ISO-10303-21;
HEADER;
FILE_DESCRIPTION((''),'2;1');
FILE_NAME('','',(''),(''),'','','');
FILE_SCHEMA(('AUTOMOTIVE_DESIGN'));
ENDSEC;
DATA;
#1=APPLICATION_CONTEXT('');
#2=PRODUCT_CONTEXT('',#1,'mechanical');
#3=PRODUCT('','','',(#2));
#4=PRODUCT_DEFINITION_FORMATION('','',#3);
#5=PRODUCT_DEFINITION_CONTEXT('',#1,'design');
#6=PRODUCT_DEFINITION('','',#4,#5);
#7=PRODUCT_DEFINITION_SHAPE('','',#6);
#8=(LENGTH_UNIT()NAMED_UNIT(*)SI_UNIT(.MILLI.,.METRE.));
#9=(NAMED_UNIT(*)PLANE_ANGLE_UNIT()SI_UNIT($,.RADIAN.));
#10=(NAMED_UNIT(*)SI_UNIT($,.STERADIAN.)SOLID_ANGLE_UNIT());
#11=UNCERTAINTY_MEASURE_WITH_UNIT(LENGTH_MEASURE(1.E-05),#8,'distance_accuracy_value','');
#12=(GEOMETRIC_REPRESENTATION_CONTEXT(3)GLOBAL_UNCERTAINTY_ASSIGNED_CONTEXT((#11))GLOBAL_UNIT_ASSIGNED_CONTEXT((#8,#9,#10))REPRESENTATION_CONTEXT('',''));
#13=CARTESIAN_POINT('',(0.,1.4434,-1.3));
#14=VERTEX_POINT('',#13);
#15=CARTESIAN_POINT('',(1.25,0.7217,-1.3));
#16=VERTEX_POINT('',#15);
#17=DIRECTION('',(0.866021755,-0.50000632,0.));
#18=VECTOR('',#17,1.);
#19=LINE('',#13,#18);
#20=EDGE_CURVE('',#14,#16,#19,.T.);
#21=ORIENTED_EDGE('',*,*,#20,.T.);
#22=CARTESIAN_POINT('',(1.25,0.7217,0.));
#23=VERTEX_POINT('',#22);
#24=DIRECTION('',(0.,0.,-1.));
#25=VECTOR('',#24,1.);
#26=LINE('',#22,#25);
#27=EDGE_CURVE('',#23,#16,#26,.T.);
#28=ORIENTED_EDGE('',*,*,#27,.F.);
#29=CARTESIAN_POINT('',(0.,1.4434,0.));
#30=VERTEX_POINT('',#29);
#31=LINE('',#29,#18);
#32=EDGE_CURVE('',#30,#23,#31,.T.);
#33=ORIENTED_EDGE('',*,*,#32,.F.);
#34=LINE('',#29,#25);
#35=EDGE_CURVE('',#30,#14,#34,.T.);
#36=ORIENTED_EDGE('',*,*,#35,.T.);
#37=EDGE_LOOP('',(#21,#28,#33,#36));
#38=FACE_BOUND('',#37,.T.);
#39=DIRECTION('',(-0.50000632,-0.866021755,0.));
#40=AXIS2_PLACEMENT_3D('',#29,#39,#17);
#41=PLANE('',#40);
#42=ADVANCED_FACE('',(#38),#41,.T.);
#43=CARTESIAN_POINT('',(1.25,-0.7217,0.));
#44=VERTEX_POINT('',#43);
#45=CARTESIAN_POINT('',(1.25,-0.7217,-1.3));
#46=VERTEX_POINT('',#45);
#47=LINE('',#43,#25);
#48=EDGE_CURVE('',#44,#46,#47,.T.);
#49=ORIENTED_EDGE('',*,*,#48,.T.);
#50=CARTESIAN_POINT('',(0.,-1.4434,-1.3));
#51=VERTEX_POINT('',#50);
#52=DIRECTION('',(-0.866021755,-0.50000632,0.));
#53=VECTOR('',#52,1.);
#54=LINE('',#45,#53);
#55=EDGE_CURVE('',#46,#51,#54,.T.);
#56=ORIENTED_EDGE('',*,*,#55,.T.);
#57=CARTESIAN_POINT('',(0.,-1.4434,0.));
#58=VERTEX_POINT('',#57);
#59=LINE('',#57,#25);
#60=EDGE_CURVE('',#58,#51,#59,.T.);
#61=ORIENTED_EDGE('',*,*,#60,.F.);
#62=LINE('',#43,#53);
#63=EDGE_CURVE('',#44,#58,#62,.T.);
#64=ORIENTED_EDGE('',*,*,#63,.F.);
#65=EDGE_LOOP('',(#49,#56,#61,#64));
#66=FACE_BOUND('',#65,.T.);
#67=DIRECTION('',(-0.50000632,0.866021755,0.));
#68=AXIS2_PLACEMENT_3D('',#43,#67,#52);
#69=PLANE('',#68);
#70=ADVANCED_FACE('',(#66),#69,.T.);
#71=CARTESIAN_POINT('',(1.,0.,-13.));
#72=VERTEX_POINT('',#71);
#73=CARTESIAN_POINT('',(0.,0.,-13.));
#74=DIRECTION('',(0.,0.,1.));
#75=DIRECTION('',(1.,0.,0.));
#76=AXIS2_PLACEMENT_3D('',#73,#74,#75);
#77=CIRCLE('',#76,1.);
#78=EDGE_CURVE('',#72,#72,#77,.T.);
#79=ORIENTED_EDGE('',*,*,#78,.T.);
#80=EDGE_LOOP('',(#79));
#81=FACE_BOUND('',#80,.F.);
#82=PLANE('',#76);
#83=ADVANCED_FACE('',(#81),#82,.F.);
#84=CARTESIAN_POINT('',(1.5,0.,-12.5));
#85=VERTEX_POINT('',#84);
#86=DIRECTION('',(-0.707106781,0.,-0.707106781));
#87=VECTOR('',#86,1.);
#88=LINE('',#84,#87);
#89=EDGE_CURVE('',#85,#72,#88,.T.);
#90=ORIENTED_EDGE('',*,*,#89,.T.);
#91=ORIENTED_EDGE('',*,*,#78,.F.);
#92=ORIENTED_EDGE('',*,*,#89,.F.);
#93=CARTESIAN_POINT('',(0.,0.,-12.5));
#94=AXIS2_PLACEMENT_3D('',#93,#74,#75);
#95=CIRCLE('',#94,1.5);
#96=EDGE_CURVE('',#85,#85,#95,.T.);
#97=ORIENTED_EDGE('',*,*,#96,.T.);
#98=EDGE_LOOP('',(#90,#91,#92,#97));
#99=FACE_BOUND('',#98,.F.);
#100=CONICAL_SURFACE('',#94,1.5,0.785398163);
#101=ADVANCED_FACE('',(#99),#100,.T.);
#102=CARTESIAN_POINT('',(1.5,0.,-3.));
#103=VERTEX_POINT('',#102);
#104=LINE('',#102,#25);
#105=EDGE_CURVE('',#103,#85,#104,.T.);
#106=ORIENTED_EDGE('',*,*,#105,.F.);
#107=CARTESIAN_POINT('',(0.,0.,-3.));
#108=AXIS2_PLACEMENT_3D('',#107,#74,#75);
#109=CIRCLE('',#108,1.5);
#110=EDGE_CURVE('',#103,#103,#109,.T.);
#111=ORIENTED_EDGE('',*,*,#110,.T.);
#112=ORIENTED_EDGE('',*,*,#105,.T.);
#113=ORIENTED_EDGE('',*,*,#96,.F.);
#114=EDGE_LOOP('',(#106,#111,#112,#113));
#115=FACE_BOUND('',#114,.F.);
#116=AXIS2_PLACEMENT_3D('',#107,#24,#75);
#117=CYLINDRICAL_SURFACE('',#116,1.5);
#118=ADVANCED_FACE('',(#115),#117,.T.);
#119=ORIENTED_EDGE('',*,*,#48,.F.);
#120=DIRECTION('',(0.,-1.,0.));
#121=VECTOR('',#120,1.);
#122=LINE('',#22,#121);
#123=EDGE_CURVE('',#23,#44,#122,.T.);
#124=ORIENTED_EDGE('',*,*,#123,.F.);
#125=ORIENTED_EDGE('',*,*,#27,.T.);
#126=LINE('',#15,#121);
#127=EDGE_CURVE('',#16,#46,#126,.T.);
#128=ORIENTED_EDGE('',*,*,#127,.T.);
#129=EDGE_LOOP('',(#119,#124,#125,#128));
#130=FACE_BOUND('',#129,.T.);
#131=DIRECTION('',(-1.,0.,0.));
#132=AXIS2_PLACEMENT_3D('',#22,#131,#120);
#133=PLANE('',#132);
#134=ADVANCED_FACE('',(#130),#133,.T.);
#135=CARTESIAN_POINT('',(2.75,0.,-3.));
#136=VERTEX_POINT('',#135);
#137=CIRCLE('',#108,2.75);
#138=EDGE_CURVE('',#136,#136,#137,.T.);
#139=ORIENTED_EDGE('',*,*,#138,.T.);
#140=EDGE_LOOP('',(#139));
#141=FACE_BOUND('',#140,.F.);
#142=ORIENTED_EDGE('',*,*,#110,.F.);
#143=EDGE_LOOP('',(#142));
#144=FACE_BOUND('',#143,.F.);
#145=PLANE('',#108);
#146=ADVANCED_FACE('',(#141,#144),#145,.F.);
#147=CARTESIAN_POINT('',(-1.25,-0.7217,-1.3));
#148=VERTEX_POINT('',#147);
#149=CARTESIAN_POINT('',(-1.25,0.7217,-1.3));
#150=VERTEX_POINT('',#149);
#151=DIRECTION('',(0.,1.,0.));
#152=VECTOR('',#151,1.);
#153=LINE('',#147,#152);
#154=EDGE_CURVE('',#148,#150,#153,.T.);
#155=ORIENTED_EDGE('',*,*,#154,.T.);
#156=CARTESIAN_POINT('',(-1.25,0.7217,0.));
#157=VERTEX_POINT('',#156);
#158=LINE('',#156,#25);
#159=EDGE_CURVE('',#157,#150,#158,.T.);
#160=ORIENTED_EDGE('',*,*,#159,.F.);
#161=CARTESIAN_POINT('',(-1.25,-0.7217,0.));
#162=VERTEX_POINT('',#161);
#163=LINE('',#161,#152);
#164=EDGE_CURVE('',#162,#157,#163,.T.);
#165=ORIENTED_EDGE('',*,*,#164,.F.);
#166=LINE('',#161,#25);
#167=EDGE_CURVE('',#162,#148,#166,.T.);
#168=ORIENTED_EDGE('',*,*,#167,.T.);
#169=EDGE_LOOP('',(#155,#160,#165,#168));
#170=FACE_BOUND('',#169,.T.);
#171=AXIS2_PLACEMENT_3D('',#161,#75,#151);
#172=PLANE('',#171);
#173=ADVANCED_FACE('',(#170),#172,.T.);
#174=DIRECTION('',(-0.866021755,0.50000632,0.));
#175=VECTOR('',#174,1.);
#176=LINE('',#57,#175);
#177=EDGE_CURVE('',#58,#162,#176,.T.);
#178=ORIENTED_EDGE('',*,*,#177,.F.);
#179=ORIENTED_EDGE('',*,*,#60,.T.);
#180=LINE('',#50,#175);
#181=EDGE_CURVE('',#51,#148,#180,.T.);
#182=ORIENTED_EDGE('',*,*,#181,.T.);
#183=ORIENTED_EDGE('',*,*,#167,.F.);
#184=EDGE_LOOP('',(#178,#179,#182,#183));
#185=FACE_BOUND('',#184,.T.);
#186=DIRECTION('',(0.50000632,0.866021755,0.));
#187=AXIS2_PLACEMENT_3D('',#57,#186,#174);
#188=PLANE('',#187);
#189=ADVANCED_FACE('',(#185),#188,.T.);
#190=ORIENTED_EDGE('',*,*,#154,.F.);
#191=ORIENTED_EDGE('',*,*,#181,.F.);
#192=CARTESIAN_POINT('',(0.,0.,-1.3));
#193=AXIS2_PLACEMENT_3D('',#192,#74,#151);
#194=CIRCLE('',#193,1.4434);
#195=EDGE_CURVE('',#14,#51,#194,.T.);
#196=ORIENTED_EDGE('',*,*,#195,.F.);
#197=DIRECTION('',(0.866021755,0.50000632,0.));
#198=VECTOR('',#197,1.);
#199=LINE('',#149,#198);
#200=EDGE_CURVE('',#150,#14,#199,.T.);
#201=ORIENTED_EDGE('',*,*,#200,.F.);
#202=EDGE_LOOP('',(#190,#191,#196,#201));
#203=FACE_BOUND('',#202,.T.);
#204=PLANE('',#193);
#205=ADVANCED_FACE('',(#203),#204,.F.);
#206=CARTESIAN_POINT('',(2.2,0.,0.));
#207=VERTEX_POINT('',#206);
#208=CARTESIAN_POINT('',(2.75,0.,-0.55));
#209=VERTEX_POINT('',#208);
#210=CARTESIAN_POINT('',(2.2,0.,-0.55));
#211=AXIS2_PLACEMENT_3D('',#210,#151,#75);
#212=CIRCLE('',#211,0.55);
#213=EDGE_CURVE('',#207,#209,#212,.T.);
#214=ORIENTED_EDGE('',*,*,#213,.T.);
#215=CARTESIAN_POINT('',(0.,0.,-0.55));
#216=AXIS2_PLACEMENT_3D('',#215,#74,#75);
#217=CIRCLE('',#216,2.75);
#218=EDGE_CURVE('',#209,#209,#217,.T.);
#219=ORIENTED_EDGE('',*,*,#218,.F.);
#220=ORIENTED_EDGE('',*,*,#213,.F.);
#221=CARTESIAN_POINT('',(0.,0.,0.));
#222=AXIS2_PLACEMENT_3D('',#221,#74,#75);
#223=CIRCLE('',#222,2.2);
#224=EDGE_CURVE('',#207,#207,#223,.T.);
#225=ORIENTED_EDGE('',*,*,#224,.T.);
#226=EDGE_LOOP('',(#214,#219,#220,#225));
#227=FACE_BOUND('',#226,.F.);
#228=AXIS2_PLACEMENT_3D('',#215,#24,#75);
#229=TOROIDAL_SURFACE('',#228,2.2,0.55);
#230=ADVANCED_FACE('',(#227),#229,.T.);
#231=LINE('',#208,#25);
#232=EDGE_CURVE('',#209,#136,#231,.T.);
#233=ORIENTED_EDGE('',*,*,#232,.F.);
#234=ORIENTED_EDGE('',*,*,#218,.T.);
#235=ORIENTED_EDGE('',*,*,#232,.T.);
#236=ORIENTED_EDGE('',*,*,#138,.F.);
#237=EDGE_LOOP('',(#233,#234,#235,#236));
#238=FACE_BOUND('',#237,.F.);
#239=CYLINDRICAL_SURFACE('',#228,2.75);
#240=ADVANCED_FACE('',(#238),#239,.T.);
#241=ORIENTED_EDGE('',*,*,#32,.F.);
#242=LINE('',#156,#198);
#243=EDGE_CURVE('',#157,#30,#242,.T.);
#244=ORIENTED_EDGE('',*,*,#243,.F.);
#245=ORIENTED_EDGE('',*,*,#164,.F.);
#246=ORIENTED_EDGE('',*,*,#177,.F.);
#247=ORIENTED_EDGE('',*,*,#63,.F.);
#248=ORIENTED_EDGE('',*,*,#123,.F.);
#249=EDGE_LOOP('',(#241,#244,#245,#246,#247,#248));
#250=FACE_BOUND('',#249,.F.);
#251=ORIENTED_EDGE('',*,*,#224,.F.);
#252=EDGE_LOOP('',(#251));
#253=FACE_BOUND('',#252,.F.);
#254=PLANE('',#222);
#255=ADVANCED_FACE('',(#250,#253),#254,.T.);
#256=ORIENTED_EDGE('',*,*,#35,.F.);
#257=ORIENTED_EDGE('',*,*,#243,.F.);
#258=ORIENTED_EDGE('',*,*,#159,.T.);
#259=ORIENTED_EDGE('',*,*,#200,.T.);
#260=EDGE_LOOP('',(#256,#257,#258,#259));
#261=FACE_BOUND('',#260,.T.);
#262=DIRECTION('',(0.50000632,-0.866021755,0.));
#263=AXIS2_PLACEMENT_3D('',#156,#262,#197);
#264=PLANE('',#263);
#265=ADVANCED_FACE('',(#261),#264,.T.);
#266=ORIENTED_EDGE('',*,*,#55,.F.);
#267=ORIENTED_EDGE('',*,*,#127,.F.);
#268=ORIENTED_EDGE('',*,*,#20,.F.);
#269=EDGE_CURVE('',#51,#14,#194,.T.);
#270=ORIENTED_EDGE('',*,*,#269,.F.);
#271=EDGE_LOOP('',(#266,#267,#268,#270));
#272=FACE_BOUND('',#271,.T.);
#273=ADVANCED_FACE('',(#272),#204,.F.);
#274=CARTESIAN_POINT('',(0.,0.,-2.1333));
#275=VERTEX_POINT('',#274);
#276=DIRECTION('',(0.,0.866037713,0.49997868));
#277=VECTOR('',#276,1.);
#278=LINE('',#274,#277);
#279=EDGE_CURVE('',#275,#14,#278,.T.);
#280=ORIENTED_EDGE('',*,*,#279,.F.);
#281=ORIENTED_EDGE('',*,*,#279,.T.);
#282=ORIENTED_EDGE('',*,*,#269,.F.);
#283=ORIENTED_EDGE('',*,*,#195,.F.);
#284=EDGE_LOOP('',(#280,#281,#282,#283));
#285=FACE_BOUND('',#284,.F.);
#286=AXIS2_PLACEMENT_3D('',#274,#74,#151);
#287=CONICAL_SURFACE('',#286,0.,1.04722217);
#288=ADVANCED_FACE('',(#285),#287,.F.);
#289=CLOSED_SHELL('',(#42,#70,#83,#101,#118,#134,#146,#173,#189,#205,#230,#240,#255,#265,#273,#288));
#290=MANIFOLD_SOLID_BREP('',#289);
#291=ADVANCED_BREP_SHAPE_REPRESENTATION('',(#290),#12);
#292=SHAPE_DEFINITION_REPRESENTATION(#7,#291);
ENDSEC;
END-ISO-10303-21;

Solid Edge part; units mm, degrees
sketch "Sketch1" plane through (0, 0, 0) normal (0, -1, 0) x (1, 0, 0)
  line L0 (0, 0) -> (2.2, 0)
  arc A0 (2.2, 0) -> (2.75, -0.55) centre (2.2, -0.55) cw
  line L1 (2.75, -0.55) -> (2.75, -3)
  line L2 (2.75, -3) -> (1.5, -3)
  line L3 (1.5, -3) -> (1.5, -12.5)
  line L4 (1.5, -12.5) -> (1, -13)
  line L5 (1, -13) -> (0, -13)
revolve "RevolvedProtrusion1" add sketch "Sketch1" angle 360 about axis through (0, 0, -13) along (0, 0, 1)
sketch "Sketch2" plane through (0, 0, 0) normal (0, 0, 1) x (1, 0, 0)
  line L0 (-1.25, -0.7217) -> (-1.25, 0.7217)
  line L1 (-1.25, 0.7217) -> (0, 1.4434)
  line L2 (0, 1.4434) -> (1.25, 0.7217)
  line L3 (1.25, 0.7217) -> (1.25, -0.7217)
  line L4 (1.25, -0.7217) -> (0, -1.4434)
  line L5 (0, -1.4434) -> (-1.25, -0.7217)
extrude "Cutout1" cut sketch "Sketch2" against normal blind 1.3
sketch "Sketch3" plane through (0, 0, 0) normal (1, 0, 0) x (0, 1, 0)
  line L0 (0, -2.1333) -> (1.4434, -1.3)
  line L1 (0, -1.3) -> (1.4434, -1.3)
  line L2 (0, -1.3) -> (0, -2.1333)
revolve "RevolvedCutout1" cut sketch "Sketch3" angle 360 about axis through (0, 0, -60.325) along (0, 0, 1)
cosmetic_thread "Thread1" size "M3"
properties part number "26"
